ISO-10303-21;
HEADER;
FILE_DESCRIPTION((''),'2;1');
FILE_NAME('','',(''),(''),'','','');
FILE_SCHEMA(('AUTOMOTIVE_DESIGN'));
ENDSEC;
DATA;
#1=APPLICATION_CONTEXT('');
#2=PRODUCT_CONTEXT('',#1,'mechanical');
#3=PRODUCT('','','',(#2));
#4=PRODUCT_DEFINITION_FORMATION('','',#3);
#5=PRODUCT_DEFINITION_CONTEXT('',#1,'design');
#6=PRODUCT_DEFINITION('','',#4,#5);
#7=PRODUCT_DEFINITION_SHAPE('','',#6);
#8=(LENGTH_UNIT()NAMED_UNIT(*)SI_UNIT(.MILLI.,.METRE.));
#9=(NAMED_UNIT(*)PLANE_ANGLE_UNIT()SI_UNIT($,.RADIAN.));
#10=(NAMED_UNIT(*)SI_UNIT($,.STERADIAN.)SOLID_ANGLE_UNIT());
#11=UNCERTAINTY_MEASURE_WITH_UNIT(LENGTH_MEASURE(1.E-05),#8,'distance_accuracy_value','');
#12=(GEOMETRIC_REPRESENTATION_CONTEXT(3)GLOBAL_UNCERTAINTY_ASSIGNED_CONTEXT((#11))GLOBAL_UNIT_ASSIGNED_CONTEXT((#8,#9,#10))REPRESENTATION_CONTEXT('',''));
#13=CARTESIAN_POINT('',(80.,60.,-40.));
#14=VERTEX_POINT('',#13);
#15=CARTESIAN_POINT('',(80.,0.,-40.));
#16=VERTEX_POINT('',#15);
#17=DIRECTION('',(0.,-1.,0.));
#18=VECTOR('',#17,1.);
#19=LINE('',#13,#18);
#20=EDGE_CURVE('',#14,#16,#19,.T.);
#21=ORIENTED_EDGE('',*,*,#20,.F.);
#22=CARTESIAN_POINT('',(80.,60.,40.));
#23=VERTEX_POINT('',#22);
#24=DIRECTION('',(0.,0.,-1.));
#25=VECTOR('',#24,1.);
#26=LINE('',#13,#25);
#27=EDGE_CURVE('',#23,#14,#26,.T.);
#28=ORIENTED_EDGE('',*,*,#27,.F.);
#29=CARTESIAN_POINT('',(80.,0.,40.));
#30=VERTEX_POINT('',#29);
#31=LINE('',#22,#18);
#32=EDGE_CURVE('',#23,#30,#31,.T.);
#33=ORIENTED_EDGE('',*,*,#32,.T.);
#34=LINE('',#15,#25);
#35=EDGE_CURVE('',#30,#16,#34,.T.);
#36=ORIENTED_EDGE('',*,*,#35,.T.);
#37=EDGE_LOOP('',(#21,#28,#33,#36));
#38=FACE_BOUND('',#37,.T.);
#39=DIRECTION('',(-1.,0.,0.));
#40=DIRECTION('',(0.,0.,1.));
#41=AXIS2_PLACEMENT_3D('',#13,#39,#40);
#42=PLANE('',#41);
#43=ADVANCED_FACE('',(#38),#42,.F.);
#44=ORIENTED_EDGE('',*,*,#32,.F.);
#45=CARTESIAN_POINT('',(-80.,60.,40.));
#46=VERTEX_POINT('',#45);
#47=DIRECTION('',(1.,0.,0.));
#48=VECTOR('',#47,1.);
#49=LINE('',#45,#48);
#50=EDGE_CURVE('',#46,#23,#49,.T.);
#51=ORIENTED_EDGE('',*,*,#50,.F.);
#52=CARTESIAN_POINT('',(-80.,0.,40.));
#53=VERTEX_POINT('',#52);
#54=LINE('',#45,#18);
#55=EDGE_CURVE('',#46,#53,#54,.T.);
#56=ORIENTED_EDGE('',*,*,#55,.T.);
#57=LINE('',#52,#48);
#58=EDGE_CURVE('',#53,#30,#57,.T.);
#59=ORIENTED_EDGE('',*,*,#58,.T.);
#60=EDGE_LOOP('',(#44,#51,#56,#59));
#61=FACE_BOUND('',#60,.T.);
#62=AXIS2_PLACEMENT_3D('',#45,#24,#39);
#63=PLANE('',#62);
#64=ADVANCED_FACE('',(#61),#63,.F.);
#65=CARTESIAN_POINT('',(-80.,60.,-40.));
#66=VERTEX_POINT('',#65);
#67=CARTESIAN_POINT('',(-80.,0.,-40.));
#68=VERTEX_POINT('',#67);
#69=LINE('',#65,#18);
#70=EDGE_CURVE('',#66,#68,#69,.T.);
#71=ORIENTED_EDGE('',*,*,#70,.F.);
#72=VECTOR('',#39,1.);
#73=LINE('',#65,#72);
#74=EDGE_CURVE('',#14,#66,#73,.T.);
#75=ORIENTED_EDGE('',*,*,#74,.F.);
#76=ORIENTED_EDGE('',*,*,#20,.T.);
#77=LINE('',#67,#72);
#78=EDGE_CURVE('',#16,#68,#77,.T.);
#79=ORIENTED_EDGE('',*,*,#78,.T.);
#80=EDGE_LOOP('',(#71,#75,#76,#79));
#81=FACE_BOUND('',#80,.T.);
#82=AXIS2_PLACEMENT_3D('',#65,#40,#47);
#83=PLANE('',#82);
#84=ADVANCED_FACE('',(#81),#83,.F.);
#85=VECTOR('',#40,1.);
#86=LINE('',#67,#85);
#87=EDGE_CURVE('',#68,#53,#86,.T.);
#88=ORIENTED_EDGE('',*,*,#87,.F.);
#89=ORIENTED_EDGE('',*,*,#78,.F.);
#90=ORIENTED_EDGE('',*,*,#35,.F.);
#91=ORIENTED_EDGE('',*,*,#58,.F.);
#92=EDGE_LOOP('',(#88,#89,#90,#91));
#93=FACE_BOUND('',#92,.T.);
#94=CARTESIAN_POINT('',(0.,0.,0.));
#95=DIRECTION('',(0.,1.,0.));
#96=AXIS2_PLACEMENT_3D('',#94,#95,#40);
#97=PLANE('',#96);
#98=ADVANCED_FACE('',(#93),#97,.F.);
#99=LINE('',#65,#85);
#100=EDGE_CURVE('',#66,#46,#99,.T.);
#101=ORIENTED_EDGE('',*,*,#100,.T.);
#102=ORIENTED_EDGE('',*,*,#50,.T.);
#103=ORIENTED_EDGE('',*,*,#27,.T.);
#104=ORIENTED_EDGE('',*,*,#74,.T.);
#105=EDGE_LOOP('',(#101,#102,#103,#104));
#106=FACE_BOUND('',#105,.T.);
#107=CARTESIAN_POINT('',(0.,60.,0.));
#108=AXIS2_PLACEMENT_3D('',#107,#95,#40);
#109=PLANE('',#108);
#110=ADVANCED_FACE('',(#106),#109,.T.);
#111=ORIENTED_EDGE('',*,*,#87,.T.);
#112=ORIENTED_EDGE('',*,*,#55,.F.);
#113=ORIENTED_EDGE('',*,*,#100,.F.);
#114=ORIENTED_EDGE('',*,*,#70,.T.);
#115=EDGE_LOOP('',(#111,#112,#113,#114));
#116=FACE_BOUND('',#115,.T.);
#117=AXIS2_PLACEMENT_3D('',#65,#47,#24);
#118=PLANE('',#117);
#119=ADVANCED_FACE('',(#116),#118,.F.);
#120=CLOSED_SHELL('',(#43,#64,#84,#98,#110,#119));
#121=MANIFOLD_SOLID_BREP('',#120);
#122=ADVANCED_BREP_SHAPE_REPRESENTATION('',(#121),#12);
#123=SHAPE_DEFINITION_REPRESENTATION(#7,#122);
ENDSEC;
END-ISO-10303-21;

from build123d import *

# Parameters (mm, degrees)
SKETCH_1_W      = 160
SKETCH_1_H      = 80
EXTRUDE_1_DEPTH = 60


with BuildPart() as part:
    # Эскиз1 → Бобышка-Вытянуть1 (new body)
    with BuildSketch(Plane(origin=(0, 0, 0), x_dir=(1, 0, 0), z_dir=(0, 1, 0))):
        Rectangle(SKETCH_1_W, SKETCH_1_H)
    extrude(amount=EXTRUDE_1_DEPTH)


solid = part.part
